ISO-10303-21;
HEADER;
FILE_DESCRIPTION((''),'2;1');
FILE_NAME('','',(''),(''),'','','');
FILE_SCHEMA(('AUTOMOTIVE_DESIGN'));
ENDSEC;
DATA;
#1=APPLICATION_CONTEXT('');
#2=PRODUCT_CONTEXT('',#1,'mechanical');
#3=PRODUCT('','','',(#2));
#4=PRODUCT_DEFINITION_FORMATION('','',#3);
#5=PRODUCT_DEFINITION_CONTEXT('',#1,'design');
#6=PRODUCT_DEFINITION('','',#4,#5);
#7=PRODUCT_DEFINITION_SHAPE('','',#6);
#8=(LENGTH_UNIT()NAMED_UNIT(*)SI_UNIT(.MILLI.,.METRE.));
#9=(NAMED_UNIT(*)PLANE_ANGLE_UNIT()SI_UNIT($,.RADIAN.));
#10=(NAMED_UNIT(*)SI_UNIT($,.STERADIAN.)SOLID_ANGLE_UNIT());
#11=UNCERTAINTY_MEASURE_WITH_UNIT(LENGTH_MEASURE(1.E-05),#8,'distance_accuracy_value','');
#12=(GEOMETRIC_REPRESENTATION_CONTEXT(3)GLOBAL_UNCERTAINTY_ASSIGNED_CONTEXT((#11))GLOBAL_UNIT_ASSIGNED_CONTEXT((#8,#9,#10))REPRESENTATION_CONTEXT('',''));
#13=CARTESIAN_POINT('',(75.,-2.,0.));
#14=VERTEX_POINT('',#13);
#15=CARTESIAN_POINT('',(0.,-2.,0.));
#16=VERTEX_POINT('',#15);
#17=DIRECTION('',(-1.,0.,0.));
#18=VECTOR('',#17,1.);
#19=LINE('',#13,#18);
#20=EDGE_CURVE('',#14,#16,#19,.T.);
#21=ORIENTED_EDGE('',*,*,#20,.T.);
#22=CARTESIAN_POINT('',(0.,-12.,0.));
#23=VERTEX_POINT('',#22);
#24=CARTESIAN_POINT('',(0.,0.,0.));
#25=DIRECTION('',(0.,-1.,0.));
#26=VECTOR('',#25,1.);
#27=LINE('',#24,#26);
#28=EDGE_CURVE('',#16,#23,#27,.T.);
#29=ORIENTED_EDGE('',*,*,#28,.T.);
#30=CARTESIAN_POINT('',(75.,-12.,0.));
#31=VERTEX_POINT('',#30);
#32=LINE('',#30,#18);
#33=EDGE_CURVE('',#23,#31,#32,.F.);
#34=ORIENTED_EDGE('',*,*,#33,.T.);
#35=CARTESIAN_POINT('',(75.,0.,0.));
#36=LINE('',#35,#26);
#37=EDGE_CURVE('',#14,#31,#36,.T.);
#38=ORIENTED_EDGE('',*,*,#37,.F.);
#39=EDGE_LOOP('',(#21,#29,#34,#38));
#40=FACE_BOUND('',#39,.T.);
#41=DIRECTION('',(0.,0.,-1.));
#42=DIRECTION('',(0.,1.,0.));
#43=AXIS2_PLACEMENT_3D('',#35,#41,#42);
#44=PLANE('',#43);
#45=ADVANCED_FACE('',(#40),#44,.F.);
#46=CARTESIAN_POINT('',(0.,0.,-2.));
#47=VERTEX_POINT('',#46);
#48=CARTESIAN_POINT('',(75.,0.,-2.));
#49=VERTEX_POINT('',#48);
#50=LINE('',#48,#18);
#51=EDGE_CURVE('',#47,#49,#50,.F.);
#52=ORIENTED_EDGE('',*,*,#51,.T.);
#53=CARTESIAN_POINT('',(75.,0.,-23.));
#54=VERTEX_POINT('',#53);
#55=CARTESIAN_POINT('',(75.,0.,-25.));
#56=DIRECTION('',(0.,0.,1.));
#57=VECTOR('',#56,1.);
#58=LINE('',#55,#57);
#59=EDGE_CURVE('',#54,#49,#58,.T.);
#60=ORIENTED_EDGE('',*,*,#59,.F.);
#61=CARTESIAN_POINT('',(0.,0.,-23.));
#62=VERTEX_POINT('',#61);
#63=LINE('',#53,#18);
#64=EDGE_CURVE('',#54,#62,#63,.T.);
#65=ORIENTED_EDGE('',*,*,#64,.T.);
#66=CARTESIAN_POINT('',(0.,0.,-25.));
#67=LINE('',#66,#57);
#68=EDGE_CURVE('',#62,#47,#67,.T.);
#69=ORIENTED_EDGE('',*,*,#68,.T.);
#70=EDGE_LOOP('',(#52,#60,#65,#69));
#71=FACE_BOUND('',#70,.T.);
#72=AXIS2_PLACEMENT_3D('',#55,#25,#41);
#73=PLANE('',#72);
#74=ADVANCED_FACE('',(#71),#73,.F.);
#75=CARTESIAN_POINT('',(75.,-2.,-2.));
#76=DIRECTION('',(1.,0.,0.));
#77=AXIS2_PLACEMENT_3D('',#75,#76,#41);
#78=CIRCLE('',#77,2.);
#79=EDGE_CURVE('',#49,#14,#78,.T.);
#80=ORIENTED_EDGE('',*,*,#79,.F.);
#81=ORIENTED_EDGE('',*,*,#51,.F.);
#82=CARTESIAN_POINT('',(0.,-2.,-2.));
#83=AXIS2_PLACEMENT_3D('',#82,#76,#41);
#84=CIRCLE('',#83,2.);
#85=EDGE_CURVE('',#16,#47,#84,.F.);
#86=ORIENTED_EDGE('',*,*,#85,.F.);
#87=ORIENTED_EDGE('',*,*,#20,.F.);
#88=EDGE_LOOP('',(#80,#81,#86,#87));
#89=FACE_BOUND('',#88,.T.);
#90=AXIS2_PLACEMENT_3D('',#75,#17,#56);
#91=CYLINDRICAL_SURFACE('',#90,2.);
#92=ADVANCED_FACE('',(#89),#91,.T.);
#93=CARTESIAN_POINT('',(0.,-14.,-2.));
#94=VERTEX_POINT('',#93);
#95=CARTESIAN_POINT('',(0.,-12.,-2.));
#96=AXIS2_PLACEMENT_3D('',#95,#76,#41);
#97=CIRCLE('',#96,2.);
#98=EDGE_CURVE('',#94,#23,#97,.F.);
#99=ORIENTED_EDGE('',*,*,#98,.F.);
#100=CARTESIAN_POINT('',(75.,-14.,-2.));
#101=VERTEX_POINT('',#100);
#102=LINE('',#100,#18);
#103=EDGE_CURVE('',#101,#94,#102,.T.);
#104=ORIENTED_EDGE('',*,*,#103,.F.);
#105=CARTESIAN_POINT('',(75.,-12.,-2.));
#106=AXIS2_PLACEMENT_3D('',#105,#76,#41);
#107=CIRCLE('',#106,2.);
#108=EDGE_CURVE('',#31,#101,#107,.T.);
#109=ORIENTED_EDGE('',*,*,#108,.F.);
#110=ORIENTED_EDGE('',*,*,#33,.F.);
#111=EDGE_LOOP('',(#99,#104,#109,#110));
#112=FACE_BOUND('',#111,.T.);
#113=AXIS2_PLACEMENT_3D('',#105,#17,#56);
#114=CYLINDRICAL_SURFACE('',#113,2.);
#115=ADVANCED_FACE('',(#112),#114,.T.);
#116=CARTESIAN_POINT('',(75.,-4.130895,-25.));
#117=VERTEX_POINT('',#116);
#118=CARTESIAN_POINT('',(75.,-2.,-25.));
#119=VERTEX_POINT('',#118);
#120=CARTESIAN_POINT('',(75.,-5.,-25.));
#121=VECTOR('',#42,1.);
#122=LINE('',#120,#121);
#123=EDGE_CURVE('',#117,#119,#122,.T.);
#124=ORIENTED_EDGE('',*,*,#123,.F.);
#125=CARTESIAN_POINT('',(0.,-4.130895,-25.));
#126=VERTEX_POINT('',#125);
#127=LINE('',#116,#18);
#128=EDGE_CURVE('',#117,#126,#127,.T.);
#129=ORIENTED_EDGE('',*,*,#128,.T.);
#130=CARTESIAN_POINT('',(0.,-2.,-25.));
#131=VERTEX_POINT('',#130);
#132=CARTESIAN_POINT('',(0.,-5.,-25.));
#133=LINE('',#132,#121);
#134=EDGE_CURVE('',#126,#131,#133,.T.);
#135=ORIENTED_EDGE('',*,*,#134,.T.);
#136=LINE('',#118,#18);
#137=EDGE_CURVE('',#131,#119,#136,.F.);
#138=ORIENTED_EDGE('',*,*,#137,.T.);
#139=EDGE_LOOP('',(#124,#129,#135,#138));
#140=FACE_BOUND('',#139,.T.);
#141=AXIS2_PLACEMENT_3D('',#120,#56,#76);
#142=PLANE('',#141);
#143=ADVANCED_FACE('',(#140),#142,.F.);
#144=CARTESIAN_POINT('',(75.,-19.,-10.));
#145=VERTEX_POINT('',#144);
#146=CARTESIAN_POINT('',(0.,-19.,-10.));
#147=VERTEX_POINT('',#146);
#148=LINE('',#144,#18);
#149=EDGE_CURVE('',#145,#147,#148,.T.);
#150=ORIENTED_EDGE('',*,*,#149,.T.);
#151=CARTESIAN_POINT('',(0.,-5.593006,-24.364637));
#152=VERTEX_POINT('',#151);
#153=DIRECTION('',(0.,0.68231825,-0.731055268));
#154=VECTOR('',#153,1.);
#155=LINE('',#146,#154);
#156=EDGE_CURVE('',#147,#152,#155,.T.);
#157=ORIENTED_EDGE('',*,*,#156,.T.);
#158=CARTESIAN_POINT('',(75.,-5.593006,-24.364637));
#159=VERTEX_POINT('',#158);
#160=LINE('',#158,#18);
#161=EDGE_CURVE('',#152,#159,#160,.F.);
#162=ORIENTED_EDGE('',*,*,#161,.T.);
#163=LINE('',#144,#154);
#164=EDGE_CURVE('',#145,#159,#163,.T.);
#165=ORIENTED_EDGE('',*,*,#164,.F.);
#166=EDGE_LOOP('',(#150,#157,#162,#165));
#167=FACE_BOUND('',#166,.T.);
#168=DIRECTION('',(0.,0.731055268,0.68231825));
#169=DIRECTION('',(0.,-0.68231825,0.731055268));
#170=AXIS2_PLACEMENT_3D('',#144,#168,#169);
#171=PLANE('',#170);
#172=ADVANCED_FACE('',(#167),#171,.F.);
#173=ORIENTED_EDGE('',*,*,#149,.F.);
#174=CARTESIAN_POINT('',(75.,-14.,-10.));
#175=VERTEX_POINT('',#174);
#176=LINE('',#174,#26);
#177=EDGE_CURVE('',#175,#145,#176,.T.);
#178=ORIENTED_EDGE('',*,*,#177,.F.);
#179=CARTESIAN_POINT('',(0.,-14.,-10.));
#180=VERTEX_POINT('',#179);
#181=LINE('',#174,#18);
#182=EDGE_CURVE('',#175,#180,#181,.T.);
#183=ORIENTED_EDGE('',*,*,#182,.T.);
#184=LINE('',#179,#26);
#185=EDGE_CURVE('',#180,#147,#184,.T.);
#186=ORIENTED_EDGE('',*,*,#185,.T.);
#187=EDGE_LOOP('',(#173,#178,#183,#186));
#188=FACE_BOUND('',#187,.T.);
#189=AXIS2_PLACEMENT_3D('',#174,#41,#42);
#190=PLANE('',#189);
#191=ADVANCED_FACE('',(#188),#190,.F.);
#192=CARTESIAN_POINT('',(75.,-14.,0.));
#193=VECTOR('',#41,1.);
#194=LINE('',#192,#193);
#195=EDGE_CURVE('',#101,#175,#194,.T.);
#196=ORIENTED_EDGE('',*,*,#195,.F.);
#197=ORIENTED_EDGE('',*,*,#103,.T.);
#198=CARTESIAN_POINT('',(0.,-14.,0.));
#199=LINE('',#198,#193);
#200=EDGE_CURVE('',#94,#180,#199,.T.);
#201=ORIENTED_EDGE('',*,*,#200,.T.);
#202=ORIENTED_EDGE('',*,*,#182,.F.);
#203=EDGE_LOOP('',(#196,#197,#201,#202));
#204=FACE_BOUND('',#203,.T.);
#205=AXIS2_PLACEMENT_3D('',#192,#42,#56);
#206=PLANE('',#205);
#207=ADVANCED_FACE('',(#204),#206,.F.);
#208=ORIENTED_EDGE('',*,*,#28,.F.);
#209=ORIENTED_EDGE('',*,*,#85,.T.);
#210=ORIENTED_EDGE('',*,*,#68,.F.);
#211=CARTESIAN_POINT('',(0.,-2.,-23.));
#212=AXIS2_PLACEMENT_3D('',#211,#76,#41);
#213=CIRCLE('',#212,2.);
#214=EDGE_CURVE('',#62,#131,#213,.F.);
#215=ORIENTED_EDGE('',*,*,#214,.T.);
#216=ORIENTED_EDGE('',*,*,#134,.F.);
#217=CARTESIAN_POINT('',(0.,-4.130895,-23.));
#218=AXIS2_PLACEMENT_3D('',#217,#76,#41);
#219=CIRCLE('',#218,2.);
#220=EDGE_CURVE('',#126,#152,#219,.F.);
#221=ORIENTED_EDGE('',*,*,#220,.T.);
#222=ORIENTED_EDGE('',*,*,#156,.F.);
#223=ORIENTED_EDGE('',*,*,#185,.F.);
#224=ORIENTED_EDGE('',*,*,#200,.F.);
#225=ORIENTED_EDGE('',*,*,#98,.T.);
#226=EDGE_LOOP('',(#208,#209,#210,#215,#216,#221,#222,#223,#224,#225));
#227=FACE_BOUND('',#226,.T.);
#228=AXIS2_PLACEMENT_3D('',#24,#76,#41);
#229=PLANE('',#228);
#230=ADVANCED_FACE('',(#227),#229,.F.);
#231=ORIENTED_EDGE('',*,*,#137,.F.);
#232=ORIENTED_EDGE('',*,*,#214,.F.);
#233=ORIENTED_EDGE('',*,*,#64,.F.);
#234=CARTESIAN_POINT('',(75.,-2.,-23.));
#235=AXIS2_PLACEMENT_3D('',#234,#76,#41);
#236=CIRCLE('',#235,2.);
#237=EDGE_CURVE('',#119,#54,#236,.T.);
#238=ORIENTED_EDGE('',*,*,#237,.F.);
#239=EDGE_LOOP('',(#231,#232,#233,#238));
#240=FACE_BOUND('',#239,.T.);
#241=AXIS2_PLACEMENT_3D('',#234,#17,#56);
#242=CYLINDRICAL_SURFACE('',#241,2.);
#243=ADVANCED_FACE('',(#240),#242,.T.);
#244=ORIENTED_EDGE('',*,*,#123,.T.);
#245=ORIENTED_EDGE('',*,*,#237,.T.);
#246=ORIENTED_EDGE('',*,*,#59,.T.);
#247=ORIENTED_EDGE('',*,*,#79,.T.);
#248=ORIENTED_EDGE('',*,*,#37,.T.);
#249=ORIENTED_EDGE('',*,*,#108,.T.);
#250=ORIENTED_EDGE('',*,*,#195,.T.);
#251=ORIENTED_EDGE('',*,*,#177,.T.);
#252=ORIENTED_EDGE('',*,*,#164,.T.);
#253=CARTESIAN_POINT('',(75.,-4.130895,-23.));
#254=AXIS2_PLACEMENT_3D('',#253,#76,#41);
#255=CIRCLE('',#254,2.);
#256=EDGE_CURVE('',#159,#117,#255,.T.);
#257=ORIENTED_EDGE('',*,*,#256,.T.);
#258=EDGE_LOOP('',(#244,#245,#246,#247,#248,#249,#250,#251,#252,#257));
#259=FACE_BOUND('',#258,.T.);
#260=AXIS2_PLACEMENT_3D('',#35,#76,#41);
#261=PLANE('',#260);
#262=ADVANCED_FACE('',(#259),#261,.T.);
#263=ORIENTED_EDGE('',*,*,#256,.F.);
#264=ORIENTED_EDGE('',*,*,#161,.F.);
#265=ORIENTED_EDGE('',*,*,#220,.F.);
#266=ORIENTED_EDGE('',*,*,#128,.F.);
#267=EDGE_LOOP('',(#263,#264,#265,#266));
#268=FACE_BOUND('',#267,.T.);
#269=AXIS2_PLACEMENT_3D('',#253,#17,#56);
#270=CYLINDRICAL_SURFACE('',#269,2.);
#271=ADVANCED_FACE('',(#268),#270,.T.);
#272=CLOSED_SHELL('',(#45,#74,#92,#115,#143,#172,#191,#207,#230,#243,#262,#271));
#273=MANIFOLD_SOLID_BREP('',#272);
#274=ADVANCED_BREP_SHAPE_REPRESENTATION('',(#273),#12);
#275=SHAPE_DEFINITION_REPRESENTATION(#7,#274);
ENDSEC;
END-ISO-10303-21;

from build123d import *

# Parameters (mm, degrees)
EXTRUDE_1_DEPTH = 75
FILLET_1_R      = 2


with BuildPart() as part:
    # ｽｹｯﾁ1 → ﾎﾞｽ - 押し出し1 (new body)
    with BuildSketch(Plane(origin=(0, 0, 0), x_dir=(0, 0, -1), z_dir=(1, 0, 0))):
        Polygon((0, 0), (0, -14), (10, -14), (10, -19), (25, -5), (25, 0), align=None)
    extrude(amount=EXTRUDE_1_DEPTH)

    # ﾌｨﾚｯﾄ1
    fillet_1_edges = [part.edges().sort_by_distance(p)[0] for p in [
        (37.5, 0, -25),
        (37.5, -5, -25),
        (37.5, -14, 0),
        (37.5, 0, 0),
    ]]
    fillet(fillet_1_edges, radius=FILLET_1_R)


solid = part.part
